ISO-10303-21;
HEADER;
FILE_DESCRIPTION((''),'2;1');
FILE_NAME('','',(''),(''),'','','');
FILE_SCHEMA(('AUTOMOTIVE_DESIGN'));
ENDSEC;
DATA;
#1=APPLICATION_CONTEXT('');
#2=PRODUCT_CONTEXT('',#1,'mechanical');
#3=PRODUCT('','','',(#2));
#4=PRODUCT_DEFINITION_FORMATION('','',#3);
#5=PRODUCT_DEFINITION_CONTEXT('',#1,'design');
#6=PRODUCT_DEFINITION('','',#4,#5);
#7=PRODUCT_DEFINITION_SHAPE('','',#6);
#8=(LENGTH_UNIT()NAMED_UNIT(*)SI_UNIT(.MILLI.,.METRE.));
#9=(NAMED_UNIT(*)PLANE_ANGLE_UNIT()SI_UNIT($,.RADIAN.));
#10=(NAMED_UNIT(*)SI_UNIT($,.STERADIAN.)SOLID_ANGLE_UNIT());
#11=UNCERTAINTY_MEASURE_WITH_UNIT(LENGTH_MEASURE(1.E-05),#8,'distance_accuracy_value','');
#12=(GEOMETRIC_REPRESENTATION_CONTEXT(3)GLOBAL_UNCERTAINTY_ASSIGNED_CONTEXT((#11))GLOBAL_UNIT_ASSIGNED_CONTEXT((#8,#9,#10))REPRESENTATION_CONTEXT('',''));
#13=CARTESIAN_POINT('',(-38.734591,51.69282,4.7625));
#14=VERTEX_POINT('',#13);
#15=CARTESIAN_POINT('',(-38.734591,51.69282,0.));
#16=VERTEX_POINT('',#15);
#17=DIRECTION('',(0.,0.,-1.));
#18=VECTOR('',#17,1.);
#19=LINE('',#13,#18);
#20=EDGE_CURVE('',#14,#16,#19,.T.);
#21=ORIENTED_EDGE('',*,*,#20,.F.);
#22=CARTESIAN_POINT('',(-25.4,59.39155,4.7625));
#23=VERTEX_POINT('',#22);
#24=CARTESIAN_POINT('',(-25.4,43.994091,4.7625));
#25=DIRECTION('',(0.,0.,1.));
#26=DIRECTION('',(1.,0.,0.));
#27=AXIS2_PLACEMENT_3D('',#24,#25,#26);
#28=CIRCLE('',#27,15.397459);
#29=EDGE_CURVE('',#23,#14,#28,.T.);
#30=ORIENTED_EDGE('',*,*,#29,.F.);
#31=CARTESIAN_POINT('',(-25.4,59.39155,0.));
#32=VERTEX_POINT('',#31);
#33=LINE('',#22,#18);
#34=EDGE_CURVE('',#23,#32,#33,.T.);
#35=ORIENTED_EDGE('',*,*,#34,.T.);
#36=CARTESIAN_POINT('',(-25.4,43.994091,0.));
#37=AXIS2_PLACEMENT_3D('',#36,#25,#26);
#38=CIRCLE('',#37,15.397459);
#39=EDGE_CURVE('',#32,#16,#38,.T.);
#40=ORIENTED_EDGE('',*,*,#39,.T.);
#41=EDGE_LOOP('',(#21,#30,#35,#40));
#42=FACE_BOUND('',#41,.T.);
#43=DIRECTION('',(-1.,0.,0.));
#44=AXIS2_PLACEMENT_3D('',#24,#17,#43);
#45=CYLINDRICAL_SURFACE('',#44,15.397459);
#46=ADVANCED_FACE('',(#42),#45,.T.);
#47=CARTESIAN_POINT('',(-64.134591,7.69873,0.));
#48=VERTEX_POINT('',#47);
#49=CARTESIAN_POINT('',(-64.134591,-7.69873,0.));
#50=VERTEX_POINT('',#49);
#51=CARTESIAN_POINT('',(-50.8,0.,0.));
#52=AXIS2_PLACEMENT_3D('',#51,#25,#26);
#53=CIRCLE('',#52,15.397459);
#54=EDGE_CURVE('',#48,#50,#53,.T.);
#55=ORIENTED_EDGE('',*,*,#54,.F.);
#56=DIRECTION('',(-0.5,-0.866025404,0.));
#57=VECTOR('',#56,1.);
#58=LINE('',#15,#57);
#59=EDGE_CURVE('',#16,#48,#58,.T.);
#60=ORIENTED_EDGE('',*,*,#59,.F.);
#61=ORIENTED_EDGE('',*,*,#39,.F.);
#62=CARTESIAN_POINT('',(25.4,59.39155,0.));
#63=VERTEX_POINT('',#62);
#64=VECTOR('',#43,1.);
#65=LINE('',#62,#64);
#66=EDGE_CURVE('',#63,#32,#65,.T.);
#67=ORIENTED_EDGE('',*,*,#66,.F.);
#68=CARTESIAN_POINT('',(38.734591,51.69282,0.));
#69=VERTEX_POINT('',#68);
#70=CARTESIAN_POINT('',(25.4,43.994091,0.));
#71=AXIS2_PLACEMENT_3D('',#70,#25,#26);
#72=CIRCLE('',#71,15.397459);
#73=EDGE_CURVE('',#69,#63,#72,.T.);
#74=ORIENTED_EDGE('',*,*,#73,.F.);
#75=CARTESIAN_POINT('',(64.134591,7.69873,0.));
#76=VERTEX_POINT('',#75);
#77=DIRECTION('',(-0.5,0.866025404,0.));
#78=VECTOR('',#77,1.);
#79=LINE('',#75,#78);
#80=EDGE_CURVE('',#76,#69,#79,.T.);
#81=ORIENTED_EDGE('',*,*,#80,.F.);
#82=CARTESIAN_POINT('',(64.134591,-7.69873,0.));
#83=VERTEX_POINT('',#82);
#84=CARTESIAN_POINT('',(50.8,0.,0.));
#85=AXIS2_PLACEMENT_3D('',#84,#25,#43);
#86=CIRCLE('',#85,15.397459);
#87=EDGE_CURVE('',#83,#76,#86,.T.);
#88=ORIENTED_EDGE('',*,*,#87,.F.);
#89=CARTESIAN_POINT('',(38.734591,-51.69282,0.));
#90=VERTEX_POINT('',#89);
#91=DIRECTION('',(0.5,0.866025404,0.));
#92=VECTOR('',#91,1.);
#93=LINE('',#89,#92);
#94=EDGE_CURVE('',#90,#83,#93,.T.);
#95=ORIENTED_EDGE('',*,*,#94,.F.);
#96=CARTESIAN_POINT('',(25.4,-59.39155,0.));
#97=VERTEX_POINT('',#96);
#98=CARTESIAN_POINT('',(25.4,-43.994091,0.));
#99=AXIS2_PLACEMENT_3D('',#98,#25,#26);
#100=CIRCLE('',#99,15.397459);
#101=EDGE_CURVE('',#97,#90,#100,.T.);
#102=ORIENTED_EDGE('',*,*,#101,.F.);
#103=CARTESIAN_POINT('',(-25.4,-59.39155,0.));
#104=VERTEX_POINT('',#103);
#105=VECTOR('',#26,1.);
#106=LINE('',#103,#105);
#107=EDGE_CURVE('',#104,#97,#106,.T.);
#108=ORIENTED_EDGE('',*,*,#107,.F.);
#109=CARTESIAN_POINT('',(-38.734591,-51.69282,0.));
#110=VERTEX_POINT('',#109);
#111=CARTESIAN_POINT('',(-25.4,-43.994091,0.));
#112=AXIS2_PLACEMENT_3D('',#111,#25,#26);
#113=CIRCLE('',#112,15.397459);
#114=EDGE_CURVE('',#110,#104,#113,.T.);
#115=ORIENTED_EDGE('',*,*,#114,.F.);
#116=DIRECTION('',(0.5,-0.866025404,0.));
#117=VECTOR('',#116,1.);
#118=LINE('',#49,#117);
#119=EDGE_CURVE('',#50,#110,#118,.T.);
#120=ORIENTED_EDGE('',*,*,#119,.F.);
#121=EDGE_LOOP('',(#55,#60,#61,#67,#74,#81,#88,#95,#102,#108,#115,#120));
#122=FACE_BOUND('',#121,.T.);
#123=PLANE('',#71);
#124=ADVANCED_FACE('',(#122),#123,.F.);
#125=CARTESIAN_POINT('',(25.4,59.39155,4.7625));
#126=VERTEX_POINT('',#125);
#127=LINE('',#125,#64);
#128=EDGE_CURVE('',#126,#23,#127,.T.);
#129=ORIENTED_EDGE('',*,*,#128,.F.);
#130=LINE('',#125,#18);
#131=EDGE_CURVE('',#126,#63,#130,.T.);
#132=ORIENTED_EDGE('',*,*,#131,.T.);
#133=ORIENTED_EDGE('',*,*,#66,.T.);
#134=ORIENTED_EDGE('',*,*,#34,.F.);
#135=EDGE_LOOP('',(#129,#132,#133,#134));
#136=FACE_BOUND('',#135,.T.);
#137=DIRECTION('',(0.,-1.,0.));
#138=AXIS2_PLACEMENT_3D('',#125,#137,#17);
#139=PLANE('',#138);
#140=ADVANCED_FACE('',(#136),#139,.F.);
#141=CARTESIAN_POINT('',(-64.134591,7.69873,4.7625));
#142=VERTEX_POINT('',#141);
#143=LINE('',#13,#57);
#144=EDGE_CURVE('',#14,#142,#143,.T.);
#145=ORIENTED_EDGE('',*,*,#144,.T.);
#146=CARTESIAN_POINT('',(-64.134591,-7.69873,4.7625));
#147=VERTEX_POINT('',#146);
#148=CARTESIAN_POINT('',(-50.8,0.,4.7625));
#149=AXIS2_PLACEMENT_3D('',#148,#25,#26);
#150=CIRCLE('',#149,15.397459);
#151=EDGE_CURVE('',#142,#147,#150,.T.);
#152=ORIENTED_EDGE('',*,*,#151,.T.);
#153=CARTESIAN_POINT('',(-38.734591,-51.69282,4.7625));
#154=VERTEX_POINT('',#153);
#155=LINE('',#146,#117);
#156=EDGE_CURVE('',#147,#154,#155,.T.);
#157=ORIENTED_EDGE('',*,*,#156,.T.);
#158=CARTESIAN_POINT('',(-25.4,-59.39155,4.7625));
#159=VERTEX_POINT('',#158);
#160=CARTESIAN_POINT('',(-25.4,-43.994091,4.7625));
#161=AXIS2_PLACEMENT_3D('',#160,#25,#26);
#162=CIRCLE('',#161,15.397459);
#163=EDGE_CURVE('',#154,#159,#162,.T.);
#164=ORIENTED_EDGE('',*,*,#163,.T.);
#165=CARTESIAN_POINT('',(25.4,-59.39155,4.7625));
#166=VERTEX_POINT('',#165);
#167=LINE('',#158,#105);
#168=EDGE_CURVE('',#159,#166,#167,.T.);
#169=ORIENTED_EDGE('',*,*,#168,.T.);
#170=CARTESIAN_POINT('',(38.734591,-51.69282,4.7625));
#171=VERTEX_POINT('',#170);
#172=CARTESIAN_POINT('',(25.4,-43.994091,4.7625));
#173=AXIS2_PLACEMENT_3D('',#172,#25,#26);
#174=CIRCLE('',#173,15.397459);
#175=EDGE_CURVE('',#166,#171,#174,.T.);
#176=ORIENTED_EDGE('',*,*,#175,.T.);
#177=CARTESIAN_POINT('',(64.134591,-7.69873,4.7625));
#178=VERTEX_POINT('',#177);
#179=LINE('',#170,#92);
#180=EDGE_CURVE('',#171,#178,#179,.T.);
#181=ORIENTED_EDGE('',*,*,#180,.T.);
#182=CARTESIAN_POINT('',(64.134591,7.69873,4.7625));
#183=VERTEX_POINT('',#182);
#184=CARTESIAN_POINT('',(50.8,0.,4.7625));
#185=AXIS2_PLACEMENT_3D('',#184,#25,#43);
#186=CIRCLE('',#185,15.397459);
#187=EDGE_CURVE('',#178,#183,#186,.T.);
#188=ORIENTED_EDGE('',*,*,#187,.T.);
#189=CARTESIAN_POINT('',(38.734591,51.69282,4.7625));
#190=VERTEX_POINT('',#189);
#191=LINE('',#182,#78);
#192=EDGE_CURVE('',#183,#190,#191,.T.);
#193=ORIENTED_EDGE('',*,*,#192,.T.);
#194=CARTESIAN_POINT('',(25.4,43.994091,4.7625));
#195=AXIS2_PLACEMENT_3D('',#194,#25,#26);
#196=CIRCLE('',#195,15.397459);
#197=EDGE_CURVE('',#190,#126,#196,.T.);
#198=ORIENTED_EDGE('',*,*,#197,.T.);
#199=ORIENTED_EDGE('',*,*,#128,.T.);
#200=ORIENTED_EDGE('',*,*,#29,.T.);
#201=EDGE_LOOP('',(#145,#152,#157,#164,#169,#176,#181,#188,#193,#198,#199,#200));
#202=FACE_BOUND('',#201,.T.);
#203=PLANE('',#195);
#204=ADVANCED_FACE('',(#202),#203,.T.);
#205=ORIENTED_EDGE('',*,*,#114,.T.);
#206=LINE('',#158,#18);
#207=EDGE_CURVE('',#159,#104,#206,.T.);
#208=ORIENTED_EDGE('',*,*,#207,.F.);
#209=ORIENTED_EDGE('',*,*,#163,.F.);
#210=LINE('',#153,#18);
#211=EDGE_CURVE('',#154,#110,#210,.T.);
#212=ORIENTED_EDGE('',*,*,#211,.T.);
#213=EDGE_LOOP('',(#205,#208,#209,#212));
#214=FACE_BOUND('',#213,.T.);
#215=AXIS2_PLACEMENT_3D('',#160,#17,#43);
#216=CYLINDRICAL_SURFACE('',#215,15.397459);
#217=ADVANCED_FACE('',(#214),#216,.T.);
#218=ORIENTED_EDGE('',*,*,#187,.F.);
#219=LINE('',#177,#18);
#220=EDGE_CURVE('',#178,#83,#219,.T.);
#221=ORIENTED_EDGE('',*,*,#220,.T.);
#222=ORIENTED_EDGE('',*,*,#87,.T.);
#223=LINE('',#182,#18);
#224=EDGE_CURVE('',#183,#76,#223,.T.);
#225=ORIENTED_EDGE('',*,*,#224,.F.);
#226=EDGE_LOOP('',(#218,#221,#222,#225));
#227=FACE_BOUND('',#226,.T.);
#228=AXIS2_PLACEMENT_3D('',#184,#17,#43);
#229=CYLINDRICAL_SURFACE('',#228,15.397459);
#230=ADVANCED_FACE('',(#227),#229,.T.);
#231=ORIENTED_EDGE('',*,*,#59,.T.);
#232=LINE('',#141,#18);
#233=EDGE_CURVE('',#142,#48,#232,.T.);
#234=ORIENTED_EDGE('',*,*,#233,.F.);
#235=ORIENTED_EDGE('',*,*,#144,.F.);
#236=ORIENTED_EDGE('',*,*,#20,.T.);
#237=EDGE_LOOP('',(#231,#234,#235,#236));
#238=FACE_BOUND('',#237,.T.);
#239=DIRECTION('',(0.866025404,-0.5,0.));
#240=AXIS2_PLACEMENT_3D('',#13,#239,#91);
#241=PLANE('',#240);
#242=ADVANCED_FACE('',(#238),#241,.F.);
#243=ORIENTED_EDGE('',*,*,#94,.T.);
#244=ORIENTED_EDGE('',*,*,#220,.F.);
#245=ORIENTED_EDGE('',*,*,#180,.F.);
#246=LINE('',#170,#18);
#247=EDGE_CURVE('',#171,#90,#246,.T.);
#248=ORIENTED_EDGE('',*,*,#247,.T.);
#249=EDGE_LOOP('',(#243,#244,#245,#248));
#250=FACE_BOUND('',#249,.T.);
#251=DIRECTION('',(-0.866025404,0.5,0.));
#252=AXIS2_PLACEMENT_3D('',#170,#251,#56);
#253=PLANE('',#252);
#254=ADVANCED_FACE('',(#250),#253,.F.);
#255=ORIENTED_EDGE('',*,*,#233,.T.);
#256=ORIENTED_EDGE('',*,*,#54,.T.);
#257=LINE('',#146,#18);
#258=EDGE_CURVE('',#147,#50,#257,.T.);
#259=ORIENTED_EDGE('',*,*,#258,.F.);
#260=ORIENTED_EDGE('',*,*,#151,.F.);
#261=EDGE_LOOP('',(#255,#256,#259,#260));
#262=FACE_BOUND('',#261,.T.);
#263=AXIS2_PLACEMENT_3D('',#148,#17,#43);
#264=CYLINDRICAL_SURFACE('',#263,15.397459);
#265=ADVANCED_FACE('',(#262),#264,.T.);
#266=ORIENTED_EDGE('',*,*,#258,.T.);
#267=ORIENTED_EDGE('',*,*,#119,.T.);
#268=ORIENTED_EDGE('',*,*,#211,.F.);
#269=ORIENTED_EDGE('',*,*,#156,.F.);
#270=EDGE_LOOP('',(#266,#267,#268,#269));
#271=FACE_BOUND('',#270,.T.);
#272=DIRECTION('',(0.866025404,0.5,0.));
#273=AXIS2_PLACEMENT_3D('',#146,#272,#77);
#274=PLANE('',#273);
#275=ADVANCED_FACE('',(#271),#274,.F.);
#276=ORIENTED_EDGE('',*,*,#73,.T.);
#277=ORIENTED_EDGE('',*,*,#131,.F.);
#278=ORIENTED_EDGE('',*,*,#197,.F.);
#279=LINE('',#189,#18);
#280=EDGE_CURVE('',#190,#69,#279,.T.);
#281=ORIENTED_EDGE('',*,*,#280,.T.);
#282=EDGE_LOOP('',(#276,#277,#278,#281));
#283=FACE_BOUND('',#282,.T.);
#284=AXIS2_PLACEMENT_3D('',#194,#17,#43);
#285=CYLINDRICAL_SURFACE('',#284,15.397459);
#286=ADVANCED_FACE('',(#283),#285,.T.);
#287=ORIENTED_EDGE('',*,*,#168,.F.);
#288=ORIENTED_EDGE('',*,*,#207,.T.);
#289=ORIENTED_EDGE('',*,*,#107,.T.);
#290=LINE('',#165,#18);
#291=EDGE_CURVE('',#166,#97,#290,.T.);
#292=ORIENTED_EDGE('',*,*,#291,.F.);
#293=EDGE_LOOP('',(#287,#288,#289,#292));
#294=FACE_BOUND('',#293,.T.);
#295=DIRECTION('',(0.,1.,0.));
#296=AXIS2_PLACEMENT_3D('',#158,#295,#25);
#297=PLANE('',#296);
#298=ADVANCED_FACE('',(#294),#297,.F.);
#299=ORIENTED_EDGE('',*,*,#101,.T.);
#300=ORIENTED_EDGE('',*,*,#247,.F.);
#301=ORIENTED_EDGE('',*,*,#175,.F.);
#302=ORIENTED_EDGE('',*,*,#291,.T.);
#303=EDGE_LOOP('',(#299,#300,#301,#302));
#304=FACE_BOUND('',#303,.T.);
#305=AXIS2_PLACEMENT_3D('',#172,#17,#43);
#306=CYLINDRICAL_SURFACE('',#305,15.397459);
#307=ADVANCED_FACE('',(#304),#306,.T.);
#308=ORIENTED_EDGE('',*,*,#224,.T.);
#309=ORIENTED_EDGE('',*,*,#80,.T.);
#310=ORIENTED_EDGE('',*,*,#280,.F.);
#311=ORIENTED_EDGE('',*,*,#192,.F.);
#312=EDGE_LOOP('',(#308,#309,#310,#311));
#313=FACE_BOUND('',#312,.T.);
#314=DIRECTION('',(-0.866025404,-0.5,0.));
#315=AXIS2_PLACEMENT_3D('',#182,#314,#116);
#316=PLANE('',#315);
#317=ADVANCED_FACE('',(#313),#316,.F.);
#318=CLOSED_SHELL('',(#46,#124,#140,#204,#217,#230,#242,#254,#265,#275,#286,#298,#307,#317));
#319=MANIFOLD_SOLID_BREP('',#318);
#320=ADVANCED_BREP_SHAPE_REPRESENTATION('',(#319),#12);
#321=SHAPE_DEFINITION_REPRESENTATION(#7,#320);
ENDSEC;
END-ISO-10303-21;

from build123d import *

# Parameters (mm, degrees)
BOSS_EXTRUDE1_DEPTH = 4.7625


with BuildPart() as part:
    # Sketch2 → Boss-Extrude1 (new body)
    with BuildSketch(Plane.XY):
        with BuildLine():
            Line((64.13459107, 7.698729744), (38.73459107, 51.692820256))
            ThreePointArc((38.73459107, 51.692820256), (33.098729744, 57.328681582), (25.4, 59.39155))
            Line((25.4, 59.39155), (-25.4, 59.39155))
            ThreePointArc((-25.4, 59.39155), (-33.098729744, 57.328681582), (-38.73459107, 51.692820256))
            Line((-38.73459107, 51.692820256), (-64.13459107, 7.698729744))
            ThreePointArc((-64.13459107, 7.698729744), (-66.197459488, 0), (-64.13459107, -7.698729744))
            Line((-64.13459107, -7.698729744), (-38.73459107, -51.692820256))
            ThreePointArc((-38.73459107, -51.692820256), (-33.098729744, -57.328681582), (-25.4, -59.39155))
            Line((-25.4, -59.39155), (25.4, -59.39155))
            ThreePointArc((25.4, -59.39155), (33.098729744, -57.328681582), (38.73459107, -51.692820256))
            Line((38.73459107, -51.692820256), (64.13459107, -7.698729744))
            ThreePointArc((64.13459107, -7.698729744), (66.197459488, 0), (64.13459107, 7.698729744))
        make_face()
    extrude(amount=BOSS_EXTRUDE1_DEPTH)


solid = part.part
